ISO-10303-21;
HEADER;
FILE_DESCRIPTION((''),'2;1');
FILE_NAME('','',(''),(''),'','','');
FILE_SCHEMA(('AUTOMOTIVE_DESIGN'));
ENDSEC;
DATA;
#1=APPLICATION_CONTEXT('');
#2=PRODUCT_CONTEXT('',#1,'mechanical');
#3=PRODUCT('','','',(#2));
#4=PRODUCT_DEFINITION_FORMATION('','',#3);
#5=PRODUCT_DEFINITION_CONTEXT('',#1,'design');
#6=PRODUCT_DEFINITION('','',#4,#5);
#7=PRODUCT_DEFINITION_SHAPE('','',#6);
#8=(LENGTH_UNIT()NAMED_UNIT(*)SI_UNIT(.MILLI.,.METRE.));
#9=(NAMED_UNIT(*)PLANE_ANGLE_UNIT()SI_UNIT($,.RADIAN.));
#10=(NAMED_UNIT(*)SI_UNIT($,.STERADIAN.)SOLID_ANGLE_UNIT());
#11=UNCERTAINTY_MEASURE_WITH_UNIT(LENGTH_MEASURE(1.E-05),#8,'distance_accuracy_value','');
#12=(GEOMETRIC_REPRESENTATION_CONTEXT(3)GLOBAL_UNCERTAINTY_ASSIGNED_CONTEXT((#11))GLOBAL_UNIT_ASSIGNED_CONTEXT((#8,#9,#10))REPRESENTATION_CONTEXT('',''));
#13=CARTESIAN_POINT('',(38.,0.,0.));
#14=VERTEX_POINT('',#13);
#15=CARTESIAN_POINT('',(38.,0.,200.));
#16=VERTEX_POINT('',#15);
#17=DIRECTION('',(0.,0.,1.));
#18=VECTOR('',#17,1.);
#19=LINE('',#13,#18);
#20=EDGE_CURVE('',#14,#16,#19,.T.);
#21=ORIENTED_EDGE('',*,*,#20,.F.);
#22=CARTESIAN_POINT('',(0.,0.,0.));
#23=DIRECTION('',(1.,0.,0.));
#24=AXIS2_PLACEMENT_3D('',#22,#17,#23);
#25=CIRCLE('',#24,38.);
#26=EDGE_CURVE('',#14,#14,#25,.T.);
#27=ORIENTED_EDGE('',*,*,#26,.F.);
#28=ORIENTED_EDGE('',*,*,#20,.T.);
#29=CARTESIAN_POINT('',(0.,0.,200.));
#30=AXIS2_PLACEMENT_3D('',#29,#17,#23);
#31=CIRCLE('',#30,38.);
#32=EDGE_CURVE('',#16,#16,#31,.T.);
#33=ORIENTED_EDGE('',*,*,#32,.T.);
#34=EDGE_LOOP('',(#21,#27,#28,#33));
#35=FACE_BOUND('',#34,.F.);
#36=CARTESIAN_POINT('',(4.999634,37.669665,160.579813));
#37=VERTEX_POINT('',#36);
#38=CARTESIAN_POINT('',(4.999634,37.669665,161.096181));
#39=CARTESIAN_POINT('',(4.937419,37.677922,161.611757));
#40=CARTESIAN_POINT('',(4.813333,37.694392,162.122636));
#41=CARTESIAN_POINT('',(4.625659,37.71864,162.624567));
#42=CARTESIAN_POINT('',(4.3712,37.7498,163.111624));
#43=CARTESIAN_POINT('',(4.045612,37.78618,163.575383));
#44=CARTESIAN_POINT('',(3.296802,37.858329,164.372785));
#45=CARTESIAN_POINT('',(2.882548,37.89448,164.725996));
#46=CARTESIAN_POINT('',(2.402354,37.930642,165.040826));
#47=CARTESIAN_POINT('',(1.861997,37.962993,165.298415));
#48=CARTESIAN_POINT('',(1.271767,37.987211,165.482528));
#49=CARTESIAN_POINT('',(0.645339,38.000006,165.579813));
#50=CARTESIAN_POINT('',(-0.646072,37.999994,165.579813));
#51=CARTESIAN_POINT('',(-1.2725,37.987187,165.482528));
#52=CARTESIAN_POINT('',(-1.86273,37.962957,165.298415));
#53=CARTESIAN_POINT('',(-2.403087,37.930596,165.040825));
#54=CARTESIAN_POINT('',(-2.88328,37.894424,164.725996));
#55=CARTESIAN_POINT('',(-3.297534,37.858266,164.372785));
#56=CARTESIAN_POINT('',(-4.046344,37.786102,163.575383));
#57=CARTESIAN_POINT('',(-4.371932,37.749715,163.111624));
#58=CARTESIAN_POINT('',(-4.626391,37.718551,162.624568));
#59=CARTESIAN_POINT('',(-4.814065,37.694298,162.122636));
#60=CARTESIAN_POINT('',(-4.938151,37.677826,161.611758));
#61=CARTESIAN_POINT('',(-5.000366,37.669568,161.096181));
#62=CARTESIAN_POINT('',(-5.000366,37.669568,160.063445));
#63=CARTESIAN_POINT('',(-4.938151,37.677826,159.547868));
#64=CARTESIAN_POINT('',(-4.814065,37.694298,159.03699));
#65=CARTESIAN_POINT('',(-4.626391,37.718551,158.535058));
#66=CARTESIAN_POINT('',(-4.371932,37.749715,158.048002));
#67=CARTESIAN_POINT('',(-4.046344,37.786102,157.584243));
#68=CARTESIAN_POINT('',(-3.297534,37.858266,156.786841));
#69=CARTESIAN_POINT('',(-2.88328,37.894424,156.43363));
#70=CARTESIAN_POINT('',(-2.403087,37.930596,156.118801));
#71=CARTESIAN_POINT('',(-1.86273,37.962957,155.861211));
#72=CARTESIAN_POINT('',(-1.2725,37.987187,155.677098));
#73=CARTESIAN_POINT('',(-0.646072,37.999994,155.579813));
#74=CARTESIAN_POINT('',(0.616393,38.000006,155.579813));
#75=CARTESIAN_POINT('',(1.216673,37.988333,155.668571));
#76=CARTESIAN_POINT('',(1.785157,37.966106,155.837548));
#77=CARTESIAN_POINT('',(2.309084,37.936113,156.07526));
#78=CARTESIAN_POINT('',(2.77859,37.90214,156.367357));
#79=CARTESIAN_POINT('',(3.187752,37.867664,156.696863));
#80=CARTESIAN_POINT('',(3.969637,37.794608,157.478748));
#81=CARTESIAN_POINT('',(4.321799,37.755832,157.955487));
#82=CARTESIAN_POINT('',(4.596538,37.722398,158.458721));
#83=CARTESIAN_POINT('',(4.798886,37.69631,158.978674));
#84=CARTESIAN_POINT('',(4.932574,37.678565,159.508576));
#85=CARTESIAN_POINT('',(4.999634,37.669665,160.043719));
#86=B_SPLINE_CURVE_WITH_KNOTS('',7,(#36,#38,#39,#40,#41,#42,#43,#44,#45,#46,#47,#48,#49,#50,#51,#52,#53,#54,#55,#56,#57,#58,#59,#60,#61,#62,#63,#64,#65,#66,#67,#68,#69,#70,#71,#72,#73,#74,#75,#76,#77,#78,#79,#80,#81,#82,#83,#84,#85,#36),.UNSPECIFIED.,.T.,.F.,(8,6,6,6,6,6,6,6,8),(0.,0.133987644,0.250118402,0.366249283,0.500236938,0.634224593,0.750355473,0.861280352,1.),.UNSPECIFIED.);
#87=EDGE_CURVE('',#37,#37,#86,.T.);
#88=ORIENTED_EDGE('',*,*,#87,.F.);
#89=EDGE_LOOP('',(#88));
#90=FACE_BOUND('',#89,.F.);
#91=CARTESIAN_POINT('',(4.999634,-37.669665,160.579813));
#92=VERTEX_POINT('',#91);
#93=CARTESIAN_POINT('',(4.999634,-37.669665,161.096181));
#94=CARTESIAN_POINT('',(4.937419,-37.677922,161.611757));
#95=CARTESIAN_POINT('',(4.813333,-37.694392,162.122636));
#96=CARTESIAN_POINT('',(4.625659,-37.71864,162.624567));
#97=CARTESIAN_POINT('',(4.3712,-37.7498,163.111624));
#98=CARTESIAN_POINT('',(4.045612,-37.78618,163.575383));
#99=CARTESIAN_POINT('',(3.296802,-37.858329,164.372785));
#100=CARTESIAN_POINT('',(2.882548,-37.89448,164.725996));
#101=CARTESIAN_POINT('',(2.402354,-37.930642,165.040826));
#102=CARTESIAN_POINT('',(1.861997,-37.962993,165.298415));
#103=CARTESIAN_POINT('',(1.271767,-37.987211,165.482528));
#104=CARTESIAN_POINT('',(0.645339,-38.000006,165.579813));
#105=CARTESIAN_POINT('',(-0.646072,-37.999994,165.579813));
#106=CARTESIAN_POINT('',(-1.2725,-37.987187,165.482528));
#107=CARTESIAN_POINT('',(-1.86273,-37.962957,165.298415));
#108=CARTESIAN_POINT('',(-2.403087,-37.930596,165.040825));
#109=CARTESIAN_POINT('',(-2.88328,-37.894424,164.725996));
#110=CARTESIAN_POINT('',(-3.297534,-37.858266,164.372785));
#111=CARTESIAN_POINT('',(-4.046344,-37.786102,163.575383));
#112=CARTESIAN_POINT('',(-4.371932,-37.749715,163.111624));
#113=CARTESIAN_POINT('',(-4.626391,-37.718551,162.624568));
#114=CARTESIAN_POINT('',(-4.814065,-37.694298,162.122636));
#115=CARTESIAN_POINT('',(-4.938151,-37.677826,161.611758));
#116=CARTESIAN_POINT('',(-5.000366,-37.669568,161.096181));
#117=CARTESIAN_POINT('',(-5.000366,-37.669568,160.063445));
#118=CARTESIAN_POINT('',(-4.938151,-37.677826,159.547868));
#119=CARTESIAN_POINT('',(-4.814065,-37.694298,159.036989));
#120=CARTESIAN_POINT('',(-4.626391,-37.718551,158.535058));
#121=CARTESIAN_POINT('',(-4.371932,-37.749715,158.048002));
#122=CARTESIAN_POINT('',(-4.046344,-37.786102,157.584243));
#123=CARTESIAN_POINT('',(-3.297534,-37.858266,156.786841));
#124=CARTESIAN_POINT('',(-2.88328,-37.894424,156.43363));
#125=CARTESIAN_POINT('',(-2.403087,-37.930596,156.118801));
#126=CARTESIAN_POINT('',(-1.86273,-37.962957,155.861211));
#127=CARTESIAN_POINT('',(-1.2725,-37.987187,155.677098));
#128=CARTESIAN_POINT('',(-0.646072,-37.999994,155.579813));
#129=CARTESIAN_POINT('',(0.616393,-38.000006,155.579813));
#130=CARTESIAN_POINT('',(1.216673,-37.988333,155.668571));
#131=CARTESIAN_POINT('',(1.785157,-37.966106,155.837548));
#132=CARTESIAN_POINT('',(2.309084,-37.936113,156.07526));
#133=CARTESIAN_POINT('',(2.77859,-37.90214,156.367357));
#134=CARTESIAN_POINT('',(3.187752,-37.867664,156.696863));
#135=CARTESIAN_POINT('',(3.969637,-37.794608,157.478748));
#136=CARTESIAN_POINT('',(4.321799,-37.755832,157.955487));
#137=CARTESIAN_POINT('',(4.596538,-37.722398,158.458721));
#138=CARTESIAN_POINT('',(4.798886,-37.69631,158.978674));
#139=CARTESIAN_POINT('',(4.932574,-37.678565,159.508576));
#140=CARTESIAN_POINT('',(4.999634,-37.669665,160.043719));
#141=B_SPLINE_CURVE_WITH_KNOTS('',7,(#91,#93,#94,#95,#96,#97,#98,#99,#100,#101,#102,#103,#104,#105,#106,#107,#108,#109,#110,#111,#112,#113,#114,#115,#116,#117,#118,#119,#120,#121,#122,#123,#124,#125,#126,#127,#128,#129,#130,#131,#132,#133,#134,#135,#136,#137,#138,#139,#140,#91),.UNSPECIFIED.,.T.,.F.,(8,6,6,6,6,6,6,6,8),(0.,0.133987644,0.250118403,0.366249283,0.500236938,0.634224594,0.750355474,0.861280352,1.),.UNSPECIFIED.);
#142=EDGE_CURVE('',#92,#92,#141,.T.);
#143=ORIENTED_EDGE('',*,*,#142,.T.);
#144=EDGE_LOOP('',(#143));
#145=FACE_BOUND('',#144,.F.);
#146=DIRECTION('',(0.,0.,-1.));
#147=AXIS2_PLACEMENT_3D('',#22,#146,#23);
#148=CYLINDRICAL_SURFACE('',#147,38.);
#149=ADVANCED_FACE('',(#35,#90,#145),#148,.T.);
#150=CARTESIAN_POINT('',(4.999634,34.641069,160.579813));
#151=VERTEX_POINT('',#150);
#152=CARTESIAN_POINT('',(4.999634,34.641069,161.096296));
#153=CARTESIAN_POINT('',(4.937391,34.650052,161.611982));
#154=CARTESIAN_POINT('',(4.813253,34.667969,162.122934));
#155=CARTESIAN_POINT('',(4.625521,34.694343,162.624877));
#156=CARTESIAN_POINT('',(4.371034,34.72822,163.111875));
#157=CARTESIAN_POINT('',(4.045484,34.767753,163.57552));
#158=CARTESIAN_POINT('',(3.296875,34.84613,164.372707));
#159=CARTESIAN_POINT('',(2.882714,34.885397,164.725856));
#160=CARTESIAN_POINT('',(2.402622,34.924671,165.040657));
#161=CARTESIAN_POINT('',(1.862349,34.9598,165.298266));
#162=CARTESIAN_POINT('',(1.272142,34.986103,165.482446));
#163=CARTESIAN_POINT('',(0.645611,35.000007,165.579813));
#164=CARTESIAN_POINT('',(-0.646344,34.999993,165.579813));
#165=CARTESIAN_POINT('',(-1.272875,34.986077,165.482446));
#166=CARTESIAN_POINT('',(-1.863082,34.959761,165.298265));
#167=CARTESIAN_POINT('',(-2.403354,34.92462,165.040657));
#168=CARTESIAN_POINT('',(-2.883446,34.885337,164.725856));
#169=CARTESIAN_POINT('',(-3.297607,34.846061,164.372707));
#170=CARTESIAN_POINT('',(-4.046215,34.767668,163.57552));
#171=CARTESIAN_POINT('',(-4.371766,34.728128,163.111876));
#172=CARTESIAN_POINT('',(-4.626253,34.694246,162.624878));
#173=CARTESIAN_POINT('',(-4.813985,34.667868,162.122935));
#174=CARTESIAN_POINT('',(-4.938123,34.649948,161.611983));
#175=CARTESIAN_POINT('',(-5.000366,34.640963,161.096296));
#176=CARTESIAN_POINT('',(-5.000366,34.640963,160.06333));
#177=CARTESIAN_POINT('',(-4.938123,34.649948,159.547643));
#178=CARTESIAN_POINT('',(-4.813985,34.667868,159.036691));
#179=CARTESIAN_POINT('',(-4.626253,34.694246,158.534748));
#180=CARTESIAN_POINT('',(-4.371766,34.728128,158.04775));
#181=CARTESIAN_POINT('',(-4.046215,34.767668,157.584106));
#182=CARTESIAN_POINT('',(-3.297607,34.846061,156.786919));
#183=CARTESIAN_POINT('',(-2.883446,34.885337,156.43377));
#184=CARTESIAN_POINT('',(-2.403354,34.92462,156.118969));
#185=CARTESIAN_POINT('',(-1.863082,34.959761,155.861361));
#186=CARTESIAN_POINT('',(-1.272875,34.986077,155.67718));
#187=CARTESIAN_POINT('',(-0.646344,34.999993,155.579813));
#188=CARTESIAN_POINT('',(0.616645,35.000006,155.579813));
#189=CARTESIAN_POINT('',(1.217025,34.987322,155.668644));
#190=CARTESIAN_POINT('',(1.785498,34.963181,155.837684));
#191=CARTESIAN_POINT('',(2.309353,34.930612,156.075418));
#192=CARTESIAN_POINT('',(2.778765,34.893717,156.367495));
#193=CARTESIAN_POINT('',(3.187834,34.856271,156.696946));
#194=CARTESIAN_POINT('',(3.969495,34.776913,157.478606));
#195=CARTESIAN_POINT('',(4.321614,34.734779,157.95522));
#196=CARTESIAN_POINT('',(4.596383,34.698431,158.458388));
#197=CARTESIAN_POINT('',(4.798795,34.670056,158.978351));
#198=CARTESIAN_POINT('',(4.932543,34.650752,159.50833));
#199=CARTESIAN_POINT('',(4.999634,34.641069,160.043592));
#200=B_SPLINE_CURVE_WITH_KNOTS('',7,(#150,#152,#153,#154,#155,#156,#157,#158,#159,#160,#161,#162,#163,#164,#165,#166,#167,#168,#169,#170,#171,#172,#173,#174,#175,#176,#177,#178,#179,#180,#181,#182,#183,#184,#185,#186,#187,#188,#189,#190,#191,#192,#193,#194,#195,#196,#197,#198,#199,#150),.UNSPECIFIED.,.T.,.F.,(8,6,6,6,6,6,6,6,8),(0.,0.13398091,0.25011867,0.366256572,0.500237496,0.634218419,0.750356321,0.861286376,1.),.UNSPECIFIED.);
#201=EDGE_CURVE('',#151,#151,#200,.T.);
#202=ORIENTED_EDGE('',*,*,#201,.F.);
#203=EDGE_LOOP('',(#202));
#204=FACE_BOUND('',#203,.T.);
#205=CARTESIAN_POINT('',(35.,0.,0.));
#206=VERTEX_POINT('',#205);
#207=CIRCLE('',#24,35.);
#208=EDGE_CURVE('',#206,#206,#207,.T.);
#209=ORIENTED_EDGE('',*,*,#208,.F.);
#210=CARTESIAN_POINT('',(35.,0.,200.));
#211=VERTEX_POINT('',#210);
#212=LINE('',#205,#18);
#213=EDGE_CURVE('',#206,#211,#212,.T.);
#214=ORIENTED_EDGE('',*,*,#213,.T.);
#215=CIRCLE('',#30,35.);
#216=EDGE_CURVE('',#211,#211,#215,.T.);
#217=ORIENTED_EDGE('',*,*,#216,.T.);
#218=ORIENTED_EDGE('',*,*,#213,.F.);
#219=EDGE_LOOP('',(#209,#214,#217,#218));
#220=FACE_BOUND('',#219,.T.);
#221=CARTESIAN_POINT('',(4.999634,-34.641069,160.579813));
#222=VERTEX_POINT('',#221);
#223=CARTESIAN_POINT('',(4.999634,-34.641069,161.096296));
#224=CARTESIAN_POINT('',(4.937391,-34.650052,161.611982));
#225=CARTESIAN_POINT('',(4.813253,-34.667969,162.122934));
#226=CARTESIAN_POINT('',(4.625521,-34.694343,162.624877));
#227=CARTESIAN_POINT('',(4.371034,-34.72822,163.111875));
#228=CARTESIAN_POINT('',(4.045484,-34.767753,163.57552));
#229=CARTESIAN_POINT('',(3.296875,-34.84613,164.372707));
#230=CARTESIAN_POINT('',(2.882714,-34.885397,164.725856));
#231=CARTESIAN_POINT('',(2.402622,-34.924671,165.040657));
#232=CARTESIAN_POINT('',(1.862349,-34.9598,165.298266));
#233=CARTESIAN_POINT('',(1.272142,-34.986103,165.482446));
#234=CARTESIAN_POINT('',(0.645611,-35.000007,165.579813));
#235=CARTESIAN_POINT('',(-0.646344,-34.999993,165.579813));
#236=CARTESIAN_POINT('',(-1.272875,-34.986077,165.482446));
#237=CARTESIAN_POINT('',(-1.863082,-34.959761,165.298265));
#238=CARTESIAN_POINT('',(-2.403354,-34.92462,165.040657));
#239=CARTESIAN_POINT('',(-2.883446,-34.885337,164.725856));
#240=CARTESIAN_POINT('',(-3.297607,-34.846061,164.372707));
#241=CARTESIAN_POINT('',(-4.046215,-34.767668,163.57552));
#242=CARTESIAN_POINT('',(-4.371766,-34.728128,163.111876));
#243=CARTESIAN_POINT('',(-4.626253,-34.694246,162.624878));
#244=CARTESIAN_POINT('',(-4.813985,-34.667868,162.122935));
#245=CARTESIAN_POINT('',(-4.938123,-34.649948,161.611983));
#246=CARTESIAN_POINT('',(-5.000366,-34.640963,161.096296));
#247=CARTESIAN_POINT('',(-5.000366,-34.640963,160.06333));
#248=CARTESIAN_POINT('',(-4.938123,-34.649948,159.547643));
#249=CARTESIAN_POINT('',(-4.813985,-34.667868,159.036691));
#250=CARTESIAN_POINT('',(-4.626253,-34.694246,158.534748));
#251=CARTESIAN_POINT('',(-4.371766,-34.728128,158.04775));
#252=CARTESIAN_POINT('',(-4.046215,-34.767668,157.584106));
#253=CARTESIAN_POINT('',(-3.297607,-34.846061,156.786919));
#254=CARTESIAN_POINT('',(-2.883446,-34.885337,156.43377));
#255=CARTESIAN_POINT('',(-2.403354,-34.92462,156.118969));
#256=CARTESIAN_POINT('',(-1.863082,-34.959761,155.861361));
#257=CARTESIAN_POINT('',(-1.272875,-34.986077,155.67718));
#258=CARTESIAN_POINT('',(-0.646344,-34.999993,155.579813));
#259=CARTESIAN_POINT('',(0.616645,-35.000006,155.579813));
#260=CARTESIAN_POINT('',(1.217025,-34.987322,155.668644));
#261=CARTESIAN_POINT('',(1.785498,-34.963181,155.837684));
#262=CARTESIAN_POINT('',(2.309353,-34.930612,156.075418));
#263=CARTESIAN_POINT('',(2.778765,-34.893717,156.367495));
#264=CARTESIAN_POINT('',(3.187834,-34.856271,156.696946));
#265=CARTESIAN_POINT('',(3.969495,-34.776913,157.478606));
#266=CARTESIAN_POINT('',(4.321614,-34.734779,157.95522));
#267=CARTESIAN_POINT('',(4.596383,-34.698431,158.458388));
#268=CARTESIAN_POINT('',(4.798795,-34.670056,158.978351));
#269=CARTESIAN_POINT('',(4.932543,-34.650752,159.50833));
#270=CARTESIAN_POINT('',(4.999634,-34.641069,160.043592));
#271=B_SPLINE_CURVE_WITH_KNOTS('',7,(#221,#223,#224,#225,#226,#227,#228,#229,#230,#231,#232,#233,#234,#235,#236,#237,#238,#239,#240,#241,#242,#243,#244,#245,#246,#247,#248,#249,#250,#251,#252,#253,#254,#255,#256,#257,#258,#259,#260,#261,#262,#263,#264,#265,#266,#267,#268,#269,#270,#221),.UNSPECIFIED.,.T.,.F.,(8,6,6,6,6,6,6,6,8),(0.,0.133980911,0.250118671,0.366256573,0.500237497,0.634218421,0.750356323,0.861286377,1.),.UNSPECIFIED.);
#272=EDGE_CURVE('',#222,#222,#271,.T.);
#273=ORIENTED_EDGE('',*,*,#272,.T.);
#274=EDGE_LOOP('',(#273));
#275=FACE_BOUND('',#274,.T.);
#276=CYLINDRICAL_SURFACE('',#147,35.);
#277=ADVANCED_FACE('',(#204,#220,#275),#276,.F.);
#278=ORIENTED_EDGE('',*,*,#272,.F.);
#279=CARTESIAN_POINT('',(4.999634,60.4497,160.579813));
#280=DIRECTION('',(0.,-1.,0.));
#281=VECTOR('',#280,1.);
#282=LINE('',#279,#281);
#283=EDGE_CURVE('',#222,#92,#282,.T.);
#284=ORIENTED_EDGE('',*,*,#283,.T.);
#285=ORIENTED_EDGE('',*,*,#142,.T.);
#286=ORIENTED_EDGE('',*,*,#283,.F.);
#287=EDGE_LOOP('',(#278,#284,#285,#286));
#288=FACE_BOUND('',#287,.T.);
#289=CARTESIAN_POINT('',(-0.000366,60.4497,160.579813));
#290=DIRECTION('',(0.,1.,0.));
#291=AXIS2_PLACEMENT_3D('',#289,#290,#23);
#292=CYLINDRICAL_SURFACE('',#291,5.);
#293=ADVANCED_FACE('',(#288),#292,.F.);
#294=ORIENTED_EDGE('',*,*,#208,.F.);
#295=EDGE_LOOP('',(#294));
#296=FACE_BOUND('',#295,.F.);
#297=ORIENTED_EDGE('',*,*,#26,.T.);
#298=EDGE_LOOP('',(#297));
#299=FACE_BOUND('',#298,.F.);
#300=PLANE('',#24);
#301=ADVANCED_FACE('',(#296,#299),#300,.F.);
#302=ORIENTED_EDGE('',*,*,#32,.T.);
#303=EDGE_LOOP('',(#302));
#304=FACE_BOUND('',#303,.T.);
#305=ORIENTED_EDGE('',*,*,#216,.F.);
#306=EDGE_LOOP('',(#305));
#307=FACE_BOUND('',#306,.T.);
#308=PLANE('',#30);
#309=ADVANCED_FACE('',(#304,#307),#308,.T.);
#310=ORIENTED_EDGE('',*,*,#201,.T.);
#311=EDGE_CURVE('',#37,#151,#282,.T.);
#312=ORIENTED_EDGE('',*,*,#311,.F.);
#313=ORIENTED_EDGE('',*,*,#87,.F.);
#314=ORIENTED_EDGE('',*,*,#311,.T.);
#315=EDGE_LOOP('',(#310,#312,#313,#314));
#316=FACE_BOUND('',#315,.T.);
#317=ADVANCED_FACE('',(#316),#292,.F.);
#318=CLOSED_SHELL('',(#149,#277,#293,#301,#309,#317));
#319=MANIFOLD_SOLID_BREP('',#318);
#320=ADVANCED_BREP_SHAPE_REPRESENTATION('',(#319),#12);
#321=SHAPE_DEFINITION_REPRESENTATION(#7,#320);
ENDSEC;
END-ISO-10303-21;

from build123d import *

# Parameters (mm, degrees)
F0_R     = 38
F0_R_2   = 35
F1_DEPTH = 200
F2_R     = 5
F3_DEPTH = 125


with BuildPart() as f1:
    # F0 (on Top) → F1 (new body)
    with BuildSketch(Plane.XY):
        Circle(F0_R)
        Circle(F0_R_2, mode=Mode.SUBTRACT)
    extrude(amount=F1_DEPTH)


with BuildPart() as f3:
    # F2 (on Front) → F3 (new body)
    with BuildSketch(Plane.XZ):
        with Locations((-62.210366, -16.730187)):
            Circle(F2_R)
    extrude(amount=F3_DEPTH)


with BuildPart() as f3_1:
    # F4: moved
    add(f3.part.moved(Location((62.21, 60.4497, 177.31))))


with BuildPart() as f1_1:
    add(f1.part)

    # F5: cut F3
    add(f3_1.part, mode=Mode.SUBTRACT)


solid = f1_1.part
